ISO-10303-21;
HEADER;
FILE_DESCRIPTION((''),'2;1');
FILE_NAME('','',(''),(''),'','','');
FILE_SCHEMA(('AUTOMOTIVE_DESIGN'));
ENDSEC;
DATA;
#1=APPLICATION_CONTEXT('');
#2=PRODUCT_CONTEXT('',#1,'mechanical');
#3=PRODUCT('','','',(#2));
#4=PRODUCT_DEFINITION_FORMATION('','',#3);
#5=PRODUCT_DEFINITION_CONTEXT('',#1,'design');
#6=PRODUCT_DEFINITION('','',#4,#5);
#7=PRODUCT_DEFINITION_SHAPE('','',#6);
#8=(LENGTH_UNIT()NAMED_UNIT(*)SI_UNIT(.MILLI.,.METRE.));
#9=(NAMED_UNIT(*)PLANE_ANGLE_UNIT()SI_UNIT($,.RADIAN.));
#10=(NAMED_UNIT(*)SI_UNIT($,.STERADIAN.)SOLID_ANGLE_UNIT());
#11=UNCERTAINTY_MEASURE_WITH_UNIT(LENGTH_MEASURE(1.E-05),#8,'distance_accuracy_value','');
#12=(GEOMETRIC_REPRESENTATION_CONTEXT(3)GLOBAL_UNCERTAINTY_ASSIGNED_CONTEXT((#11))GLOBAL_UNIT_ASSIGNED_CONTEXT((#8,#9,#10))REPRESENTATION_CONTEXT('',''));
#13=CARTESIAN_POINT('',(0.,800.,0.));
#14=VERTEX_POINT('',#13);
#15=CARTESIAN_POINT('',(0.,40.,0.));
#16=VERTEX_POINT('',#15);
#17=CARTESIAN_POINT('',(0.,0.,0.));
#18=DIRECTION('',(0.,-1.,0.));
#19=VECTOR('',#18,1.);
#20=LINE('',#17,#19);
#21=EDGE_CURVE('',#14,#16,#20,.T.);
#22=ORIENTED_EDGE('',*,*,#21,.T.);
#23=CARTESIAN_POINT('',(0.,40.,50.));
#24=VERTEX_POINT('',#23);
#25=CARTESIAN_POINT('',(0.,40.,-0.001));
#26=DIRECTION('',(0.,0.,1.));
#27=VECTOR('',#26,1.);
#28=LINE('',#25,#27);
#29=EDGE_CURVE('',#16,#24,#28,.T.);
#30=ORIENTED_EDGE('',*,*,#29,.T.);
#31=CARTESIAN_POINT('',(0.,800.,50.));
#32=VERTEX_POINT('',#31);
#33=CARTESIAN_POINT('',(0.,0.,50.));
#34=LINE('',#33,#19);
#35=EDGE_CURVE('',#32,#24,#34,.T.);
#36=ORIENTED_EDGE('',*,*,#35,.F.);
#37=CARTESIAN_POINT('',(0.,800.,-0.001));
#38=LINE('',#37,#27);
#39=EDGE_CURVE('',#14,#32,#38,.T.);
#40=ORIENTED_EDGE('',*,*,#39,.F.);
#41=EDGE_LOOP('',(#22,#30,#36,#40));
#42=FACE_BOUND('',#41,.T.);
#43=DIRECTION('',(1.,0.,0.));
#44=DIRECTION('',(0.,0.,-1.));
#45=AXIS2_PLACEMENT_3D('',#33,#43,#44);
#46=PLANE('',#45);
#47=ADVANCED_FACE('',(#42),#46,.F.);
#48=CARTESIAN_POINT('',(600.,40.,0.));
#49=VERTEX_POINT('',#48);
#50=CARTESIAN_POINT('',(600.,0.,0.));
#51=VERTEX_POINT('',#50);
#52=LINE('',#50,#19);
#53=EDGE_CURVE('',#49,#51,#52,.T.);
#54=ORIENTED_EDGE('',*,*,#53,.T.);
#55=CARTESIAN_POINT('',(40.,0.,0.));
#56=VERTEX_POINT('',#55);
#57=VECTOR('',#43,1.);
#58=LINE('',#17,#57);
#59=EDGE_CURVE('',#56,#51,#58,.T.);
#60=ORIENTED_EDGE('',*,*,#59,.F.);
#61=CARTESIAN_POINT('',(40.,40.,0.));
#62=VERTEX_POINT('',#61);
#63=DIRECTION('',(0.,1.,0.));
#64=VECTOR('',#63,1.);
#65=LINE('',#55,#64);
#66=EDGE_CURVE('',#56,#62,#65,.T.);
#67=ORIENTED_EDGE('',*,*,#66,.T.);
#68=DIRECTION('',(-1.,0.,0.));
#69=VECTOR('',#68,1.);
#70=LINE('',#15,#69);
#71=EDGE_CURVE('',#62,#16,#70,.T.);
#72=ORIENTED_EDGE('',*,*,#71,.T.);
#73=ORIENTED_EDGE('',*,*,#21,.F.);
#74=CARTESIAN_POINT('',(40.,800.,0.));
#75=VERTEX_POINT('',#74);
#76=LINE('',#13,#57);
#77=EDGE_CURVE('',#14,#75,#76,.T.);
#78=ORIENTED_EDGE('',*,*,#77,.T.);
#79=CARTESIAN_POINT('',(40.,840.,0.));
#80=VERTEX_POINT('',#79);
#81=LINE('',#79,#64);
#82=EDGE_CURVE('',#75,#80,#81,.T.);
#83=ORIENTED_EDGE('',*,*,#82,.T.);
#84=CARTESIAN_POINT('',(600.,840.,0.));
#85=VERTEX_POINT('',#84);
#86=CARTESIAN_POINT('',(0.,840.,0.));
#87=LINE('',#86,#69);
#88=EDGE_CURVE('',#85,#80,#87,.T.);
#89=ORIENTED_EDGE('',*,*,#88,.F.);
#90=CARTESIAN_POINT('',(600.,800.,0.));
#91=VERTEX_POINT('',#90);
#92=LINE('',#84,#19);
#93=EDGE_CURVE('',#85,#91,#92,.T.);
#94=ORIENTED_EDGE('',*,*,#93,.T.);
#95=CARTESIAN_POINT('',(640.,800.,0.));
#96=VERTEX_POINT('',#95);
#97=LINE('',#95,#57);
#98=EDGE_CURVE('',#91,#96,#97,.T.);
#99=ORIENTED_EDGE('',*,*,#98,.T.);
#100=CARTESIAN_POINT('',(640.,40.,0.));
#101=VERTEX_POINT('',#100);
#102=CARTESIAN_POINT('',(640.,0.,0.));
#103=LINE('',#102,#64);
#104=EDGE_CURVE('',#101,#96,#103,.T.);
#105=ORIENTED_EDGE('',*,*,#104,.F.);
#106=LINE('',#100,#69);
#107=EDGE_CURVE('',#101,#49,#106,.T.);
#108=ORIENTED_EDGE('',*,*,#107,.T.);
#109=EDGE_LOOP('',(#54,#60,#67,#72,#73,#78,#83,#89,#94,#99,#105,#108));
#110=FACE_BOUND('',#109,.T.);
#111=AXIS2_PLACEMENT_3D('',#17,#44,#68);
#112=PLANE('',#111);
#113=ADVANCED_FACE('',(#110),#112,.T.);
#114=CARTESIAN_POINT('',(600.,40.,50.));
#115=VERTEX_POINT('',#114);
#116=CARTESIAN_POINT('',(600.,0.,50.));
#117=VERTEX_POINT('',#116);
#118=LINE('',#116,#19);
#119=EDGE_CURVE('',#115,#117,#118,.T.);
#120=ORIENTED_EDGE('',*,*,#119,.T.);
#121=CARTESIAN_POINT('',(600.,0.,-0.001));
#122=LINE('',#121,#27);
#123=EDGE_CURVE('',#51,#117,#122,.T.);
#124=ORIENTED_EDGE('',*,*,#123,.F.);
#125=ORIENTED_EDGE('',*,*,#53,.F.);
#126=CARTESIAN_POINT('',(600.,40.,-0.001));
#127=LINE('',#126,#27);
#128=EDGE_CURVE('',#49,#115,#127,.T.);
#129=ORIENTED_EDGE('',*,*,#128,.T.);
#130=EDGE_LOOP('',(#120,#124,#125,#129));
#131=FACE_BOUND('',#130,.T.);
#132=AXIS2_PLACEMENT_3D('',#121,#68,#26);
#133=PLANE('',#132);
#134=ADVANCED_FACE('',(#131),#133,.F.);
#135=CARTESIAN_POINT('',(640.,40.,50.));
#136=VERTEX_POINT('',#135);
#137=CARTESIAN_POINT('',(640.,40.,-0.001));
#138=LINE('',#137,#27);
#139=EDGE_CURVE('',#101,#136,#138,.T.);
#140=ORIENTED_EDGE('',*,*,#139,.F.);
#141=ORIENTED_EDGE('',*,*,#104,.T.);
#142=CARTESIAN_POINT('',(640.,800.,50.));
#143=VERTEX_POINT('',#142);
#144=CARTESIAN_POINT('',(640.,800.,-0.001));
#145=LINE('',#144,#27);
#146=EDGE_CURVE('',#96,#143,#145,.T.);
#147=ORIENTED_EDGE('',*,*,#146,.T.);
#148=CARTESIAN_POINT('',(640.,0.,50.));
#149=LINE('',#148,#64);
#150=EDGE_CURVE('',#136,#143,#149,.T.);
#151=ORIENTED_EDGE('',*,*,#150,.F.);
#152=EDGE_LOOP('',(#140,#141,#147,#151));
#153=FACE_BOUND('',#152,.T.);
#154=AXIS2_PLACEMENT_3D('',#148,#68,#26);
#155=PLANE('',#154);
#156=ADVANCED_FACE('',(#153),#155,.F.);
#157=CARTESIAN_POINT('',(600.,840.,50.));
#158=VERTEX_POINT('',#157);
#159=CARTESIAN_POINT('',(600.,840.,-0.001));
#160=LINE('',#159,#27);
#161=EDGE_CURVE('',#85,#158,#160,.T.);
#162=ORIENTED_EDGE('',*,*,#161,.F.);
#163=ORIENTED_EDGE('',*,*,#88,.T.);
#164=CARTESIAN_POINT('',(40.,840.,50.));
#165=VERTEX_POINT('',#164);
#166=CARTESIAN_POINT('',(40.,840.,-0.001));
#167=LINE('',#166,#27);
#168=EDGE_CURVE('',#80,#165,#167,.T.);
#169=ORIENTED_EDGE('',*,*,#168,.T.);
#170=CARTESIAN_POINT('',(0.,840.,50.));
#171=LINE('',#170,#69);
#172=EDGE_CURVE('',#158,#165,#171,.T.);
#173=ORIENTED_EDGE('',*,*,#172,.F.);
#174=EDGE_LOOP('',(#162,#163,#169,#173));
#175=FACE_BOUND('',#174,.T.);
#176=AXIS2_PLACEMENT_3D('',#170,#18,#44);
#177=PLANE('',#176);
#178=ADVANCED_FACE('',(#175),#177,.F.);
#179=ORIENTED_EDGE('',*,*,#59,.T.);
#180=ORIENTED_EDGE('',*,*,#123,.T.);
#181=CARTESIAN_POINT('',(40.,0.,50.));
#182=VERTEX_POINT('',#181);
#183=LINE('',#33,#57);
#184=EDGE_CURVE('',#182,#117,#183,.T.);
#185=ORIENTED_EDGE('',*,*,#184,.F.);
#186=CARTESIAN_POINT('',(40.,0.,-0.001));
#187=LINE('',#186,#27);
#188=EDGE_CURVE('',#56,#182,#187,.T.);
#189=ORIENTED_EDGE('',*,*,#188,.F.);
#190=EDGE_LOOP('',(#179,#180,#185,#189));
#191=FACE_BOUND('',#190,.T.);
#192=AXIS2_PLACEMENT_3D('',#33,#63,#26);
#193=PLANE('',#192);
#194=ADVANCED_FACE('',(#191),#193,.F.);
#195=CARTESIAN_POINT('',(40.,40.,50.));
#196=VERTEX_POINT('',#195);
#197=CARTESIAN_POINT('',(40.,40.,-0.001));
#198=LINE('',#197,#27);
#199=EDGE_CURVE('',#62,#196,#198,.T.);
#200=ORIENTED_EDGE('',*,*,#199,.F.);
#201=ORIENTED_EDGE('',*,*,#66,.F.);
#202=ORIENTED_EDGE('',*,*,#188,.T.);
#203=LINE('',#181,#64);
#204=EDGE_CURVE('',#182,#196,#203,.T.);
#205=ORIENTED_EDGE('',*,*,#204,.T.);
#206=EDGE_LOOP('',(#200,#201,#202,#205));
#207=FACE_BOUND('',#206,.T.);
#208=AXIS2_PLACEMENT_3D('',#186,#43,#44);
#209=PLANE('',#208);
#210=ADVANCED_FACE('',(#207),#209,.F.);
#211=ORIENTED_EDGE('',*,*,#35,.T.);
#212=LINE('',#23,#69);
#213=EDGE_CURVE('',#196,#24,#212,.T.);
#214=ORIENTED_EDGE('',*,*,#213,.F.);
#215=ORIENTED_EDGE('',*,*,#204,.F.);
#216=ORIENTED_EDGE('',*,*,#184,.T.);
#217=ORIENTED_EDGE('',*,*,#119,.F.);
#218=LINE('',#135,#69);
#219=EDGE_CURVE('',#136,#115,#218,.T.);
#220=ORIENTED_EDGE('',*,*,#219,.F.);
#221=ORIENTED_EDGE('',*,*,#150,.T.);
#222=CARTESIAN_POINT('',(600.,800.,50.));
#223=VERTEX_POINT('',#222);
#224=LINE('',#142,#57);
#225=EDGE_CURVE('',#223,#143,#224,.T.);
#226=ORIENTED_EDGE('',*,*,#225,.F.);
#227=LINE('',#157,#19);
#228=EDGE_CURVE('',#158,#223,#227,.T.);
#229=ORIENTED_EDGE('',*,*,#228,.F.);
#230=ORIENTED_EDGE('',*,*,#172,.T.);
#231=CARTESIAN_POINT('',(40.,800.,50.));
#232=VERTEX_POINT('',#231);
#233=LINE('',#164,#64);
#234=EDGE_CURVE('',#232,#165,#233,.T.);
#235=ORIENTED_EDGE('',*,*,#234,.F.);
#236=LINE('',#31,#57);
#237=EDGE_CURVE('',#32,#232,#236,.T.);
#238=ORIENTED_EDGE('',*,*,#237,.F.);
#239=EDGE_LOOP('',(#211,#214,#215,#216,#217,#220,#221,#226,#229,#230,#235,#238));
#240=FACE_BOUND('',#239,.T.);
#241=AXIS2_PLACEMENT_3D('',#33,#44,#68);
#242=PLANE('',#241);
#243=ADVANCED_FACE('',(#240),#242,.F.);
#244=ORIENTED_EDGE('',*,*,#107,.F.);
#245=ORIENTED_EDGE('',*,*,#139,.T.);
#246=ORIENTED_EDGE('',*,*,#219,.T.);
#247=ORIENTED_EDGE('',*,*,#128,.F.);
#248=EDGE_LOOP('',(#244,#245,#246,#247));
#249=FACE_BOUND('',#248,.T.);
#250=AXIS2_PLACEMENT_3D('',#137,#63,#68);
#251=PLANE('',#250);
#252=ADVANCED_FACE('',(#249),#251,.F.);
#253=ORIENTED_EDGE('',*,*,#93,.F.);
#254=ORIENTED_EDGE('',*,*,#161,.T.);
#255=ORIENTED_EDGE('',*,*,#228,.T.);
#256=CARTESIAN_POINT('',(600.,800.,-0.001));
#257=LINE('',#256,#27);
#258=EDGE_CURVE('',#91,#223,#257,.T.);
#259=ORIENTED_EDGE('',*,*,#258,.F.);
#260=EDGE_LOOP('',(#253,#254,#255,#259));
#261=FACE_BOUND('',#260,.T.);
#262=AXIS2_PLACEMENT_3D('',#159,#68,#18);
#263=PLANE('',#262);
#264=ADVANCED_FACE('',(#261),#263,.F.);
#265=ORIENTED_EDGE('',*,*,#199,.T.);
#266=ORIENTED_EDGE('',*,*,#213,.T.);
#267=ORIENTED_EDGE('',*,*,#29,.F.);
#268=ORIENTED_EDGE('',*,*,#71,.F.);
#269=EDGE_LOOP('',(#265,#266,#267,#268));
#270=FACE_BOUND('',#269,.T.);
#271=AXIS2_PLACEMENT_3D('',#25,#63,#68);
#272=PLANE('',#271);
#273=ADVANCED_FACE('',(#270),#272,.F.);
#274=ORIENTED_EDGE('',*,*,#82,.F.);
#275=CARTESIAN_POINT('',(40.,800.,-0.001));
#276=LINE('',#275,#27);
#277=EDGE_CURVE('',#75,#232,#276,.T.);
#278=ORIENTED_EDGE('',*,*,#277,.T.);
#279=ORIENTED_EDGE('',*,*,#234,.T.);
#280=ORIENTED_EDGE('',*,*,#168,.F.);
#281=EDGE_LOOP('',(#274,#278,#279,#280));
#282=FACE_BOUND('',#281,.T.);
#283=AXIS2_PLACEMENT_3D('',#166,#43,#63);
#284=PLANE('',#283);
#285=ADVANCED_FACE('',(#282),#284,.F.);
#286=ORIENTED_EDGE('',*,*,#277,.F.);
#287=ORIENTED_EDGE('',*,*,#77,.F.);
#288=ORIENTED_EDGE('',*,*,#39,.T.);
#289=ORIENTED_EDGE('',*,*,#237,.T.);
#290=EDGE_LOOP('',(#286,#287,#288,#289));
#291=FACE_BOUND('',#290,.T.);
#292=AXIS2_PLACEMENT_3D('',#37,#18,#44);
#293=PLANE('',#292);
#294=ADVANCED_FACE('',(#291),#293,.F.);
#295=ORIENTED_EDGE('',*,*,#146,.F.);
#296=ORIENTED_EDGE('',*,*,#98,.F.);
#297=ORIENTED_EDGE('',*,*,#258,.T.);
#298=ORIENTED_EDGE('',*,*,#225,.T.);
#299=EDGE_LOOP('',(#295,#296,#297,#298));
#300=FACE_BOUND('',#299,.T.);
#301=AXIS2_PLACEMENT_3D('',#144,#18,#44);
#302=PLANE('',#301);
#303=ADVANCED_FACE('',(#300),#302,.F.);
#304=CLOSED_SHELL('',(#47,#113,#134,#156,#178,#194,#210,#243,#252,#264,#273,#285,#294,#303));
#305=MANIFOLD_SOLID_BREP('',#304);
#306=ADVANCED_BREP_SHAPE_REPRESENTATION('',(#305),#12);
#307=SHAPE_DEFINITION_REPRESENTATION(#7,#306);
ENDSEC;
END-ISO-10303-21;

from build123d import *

# Parameters (mm, degrees)
SKETCH1_W           = 640
SKETCH1_H           = 840
BOSS_EXTRUDE1_DEPTH = 50
CUT_EXTRUDE1_REACH  = 1059.213
SKETCH2_W           = 40
SKETCH2_H           = 40


with BuildPart() as part:
    # Sketch1 → Boss-Extrude1 (new body)
    with BuildSketch(Plane.XY):
        with Locations((320, 420)):
            Rectangle(SKETCH1_W, SKETCH1_H)
    extrude(amount=BOSS_EXTRUDE1_DEPTH)

    # Sketch2 → Cut-Extrude1 (cut, up to next)
    with BuildSketch(Plane.XY.offset(50), mode=Mode.PRIVATE) as cut_extrude1_sk1:
        with Locations((20, 20)):
            Rectangle(SKETCH2_W, SKETCH2_H)
    cut_extrude1_tool1 = extrude(cut_extrude1_sk1.sketch, amount=-CUT_EXTRUDE1_REACH, mode=Mode.PRIVATE) & part.part
    # Sketch2 → Cut-Extrude1 (cut, up to next)
    with BuildSketch(Plane.XY.offset(50), mode=Mode.PRIVATE) as cut_extrude1_sk2:
        with Locations((620, 20)):
            Rectangle(SKETCH2_W, SKETCH2_H)
    cut_extrude1_tool2 = extrude(cut_extrude1_sk2.sketch, amount=-CUT_EXTRUDE1_REACH, mode=Mode.PRIVATE) & part.part
    # Sketch2 → Cut-Extrude1 (cut, up to next)
    with BuildSketch(Plane.XY.offset(50), mode=Mode.PRIVATE) as cut_extrude1_sk3:
        with Locations((620, 820)):
            Rectangle(SKETCH2_W, SKETCH2_H)
    cut_extrude1_tool3 = extrude(cut_extrude1_sk3.sketch, amount=-CUT_EXTRUDE1_REACH, mode=Mode.PRIVATE) & part.part
    # Sketch2 → Cut-Extrude1 (cut, up to next)
    with BuildSketch(Plane.XY.offset(50), mode=Mode.PRIVATE) as cut_extrude1_sk4:
        with Locations((20, 820)):
            Rectangle(SKETCH2_W, SKETCH2_H)
    cut_extrude1_tool4 = extrude(cut_extrude1_sk4.sketch, amount=-CUT_EXTRUDE1_REACH, mode=Mode.PRIVATE) & part.part
    add(cut_extrude1_tool1.solids().sort_by_distance((20, 20, 50))[0], mode=Mode.SUBTRACT)
    add(cut_extrude1_tool2.solids().sort_by_distance((620, 20, 50))[0], mode=Mode.SUBTRACT)
    add(cut_extrude1_tool3.solids().sort_by_distance((620, 820, 50))[0], mode=Mode.SUBTRACT)
    add(cut_extrude1_tool4.solids().sort_by_distance((20, 820, 50))[0], mode=Mode.SUBTRACT)


solid = part.part
